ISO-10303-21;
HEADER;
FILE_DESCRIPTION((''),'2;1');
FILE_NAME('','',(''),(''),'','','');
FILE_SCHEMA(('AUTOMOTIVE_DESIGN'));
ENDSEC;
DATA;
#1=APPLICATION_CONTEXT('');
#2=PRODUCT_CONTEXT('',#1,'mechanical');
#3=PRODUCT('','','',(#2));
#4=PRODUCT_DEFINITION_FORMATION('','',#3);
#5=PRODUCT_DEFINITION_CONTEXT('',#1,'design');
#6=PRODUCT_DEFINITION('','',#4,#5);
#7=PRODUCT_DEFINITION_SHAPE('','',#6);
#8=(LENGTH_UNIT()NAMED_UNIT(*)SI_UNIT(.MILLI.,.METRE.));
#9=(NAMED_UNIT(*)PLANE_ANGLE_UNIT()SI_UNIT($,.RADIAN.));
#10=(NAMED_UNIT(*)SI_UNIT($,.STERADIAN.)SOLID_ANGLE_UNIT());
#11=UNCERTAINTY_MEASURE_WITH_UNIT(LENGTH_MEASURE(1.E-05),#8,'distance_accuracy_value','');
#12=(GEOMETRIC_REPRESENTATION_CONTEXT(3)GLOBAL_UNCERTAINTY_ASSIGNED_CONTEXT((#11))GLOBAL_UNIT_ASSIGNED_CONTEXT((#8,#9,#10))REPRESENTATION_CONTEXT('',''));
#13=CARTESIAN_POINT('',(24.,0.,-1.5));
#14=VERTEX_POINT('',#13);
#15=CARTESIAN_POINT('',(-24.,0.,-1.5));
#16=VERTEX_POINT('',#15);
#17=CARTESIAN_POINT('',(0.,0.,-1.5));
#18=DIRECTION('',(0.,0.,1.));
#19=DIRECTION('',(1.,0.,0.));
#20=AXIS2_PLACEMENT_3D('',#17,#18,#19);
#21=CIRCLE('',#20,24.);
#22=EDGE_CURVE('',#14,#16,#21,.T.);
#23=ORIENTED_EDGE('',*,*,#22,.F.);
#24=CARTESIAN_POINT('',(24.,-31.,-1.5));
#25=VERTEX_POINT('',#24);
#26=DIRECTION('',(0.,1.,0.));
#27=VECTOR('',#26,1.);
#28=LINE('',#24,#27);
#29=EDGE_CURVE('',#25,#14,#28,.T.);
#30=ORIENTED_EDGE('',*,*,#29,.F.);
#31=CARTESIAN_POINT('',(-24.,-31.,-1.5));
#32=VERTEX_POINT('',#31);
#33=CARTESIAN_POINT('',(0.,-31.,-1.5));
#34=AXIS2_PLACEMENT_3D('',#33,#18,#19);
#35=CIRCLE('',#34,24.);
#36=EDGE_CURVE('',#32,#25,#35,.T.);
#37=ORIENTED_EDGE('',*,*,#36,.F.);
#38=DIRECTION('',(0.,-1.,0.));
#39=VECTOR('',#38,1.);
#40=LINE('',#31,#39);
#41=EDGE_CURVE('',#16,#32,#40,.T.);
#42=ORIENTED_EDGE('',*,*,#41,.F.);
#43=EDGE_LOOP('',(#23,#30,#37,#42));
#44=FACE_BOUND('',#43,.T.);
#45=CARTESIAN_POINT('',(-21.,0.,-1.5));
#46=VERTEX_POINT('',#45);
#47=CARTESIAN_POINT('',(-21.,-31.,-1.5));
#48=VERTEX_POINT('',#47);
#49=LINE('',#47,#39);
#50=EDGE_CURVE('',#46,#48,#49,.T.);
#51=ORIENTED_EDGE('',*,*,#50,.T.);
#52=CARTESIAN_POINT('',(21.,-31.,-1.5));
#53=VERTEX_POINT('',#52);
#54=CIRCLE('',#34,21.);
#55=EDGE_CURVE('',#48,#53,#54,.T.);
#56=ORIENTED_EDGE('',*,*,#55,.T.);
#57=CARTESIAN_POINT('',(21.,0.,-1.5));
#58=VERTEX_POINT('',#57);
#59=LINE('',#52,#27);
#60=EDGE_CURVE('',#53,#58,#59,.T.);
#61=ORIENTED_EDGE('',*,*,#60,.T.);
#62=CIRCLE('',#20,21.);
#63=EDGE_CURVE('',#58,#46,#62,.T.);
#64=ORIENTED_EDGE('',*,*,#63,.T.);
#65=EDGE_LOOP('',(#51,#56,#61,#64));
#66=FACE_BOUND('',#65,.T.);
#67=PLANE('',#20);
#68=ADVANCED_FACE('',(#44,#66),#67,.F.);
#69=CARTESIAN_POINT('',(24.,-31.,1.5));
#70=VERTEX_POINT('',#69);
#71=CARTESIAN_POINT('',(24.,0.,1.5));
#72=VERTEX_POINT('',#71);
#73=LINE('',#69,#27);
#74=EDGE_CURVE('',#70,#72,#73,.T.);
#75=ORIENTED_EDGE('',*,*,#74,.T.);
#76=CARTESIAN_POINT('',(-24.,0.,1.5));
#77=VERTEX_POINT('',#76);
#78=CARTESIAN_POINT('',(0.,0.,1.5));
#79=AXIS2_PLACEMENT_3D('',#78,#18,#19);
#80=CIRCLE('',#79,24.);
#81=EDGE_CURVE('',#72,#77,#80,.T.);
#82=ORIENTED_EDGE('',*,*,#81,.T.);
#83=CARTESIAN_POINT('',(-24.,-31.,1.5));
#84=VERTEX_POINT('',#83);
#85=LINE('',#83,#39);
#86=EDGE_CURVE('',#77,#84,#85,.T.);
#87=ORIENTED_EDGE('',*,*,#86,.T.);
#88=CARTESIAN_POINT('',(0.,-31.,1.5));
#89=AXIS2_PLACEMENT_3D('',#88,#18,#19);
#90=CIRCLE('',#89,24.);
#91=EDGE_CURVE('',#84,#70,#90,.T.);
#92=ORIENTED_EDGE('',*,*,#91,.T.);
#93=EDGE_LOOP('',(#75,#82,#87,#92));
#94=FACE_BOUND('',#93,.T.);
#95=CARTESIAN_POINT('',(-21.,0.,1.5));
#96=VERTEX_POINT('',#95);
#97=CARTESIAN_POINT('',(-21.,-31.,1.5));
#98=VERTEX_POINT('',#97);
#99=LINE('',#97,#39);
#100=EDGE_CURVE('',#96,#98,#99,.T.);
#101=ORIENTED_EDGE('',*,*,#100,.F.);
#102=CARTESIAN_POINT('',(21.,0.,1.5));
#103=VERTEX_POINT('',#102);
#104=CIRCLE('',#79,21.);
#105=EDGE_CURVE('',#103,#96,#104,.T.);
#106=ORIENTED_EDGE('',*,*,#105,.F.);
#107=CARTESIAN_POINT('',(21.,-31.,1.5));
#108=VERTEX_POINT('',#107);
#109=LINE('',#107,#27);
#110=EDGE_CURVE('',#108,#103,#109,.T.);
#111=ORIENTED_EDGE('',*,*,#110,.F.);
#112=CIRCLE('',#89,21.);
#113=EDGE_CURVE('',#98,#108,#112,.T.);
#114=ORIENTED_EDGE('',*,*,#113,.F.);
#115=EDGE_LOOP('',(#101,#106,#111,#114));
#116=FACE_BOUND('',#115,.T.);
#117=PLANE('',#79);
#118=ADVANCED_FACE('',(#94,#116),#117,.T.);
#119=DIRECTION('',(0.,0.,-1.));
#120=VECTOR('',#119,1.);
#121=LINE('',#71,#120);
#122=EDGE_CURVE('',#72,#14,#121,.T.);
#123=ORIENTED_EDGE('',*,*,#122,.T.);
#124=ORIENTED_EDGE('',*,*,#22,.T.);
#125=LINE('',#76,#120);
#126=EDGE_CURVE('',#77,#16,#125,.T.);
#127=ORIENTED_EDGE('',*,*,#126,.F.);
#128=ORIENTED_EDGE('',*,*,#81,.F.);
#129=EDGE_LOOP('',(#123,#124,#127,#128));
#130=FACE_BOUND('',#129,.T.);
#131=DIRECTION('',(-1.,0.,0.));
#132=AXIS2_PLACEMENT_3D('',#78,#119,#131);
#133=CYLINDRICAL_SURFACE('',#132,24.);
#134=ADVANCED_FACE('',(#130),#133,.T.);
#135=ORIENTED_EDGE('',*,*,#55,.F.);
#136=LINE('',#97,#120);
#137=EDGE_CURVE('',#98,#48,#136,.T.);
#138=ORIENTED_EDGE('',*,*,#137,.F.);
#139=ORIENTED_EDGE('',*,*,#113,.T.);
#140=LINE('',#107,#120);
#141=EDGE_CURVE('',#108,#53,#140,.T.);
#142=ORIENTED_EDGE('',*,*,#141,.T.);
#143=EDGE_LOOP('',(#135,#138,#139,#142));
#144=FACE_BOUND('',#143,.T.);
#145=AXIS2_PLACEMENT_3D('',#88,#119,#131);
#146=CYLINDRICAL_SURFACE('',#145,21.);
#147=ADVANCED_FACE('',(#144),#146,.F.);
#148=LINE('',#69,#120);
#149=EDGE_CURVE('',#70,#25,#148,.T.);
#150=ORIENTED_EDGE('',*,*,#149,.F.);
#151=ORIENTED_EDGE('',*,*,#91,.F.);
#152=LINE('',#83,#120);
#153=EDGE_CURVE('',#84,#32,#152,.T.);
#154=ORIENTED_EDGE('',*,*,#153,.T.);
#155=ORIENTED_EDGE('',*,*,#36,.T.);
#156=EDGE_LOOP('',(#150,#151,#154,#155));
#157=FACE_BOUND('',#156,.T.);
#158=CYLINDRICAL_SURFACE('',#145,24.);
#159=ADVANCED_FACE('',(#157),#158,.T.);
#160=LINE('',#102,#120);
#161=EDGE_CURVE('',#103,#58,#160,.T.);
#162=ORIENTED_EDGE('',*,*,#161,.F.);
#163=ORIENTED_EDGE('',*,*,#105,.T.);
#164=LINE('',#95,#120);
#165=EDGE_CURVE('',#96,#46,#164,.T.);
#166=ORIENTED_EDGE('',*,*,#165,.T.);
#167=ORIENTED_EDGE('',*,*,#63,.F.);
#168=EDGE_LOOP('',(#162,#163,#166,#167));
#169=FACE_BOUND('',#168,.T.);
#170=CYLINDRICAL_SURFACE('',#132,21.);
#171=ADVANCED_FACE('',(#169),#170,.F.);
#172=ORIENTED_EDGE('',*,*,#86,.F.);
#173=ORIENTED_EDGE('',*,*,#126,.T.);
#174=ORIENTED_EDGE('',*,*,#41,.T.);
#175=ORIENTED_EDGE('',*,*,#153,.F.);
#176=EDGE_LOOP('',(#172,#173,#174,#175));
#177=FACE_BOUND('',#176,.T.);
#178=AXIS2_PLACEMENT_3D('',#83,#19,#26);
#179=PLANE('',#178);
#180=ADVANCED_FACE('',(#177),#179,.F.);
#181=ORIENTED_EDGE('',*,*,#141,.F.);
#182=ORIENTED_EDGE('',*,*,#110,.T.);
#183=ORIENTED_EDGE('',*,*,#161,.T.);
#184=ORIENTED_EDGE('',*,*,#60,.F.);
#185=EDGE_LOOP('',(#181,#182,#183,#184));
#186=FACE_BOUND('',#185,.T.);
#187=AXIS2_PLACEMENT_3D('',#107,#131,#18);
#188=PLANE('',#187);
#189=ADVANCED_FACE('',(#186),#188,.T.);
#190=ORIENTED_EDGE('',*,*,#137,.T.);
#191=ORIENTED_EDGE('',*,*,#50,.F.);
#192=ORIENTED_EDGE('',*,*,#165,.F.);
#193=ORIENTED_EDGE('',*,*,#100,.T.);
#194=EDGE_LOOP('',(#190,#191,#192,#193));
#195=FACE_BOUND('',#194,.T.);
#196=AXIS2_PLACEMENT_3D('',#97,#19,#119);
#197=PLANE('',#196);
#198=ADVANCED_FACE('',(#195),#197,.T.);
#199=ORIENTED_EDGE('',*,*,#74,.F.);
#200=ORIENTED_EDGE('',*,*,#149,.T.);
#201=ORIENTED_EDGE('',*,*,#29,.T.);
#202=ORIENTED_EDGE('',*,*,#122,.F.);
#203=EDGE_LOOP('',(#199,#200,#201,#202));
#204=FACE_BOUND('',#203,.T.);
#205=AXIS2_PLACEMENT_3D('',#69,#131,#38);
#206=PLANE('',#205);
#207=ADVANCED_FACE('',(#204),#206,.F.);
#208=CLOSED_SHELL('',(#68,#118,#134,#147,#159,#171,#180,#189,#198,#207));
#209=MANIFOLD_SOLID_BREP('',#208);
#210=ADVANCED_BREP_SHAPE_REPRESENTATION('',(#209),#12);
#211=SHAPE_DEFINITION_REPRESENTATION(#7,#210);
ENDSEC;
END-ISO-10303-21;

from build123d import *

# Parameters (mm, degrees)
BOSS_EXTRUDE1_DEPTH = 1.5


with BuildPart() as part:
    # Sketch1 → Boss-Extrude1 (new body, symmetric)
    with BuildSketch(Plane.XY):
        with BuildLine():
            Line((-24, -31), (-24, 0))
            ThreePointArc((-24, 0), (0, 24), (24, 0))
            Line((24, 0), (24, -31))
            ThreePointArc((24, -31), (0, -55), (-24, -31))
        make_face()
        with BuildLine():
            Line((-21, -31), (-21, 0))
            ThreePointArc((-21, 0), (0, 21), (21, 0))
            Line((21, 0), (21, -31))
            ThreePointArc((21, -31), (0, -52), (-21, -31))
        make_face(mode=Mode.SUBTRACT)
    extrude(amount=BOSS_EXTRUDE1_DEPTH, both=True)


solid = part.part
